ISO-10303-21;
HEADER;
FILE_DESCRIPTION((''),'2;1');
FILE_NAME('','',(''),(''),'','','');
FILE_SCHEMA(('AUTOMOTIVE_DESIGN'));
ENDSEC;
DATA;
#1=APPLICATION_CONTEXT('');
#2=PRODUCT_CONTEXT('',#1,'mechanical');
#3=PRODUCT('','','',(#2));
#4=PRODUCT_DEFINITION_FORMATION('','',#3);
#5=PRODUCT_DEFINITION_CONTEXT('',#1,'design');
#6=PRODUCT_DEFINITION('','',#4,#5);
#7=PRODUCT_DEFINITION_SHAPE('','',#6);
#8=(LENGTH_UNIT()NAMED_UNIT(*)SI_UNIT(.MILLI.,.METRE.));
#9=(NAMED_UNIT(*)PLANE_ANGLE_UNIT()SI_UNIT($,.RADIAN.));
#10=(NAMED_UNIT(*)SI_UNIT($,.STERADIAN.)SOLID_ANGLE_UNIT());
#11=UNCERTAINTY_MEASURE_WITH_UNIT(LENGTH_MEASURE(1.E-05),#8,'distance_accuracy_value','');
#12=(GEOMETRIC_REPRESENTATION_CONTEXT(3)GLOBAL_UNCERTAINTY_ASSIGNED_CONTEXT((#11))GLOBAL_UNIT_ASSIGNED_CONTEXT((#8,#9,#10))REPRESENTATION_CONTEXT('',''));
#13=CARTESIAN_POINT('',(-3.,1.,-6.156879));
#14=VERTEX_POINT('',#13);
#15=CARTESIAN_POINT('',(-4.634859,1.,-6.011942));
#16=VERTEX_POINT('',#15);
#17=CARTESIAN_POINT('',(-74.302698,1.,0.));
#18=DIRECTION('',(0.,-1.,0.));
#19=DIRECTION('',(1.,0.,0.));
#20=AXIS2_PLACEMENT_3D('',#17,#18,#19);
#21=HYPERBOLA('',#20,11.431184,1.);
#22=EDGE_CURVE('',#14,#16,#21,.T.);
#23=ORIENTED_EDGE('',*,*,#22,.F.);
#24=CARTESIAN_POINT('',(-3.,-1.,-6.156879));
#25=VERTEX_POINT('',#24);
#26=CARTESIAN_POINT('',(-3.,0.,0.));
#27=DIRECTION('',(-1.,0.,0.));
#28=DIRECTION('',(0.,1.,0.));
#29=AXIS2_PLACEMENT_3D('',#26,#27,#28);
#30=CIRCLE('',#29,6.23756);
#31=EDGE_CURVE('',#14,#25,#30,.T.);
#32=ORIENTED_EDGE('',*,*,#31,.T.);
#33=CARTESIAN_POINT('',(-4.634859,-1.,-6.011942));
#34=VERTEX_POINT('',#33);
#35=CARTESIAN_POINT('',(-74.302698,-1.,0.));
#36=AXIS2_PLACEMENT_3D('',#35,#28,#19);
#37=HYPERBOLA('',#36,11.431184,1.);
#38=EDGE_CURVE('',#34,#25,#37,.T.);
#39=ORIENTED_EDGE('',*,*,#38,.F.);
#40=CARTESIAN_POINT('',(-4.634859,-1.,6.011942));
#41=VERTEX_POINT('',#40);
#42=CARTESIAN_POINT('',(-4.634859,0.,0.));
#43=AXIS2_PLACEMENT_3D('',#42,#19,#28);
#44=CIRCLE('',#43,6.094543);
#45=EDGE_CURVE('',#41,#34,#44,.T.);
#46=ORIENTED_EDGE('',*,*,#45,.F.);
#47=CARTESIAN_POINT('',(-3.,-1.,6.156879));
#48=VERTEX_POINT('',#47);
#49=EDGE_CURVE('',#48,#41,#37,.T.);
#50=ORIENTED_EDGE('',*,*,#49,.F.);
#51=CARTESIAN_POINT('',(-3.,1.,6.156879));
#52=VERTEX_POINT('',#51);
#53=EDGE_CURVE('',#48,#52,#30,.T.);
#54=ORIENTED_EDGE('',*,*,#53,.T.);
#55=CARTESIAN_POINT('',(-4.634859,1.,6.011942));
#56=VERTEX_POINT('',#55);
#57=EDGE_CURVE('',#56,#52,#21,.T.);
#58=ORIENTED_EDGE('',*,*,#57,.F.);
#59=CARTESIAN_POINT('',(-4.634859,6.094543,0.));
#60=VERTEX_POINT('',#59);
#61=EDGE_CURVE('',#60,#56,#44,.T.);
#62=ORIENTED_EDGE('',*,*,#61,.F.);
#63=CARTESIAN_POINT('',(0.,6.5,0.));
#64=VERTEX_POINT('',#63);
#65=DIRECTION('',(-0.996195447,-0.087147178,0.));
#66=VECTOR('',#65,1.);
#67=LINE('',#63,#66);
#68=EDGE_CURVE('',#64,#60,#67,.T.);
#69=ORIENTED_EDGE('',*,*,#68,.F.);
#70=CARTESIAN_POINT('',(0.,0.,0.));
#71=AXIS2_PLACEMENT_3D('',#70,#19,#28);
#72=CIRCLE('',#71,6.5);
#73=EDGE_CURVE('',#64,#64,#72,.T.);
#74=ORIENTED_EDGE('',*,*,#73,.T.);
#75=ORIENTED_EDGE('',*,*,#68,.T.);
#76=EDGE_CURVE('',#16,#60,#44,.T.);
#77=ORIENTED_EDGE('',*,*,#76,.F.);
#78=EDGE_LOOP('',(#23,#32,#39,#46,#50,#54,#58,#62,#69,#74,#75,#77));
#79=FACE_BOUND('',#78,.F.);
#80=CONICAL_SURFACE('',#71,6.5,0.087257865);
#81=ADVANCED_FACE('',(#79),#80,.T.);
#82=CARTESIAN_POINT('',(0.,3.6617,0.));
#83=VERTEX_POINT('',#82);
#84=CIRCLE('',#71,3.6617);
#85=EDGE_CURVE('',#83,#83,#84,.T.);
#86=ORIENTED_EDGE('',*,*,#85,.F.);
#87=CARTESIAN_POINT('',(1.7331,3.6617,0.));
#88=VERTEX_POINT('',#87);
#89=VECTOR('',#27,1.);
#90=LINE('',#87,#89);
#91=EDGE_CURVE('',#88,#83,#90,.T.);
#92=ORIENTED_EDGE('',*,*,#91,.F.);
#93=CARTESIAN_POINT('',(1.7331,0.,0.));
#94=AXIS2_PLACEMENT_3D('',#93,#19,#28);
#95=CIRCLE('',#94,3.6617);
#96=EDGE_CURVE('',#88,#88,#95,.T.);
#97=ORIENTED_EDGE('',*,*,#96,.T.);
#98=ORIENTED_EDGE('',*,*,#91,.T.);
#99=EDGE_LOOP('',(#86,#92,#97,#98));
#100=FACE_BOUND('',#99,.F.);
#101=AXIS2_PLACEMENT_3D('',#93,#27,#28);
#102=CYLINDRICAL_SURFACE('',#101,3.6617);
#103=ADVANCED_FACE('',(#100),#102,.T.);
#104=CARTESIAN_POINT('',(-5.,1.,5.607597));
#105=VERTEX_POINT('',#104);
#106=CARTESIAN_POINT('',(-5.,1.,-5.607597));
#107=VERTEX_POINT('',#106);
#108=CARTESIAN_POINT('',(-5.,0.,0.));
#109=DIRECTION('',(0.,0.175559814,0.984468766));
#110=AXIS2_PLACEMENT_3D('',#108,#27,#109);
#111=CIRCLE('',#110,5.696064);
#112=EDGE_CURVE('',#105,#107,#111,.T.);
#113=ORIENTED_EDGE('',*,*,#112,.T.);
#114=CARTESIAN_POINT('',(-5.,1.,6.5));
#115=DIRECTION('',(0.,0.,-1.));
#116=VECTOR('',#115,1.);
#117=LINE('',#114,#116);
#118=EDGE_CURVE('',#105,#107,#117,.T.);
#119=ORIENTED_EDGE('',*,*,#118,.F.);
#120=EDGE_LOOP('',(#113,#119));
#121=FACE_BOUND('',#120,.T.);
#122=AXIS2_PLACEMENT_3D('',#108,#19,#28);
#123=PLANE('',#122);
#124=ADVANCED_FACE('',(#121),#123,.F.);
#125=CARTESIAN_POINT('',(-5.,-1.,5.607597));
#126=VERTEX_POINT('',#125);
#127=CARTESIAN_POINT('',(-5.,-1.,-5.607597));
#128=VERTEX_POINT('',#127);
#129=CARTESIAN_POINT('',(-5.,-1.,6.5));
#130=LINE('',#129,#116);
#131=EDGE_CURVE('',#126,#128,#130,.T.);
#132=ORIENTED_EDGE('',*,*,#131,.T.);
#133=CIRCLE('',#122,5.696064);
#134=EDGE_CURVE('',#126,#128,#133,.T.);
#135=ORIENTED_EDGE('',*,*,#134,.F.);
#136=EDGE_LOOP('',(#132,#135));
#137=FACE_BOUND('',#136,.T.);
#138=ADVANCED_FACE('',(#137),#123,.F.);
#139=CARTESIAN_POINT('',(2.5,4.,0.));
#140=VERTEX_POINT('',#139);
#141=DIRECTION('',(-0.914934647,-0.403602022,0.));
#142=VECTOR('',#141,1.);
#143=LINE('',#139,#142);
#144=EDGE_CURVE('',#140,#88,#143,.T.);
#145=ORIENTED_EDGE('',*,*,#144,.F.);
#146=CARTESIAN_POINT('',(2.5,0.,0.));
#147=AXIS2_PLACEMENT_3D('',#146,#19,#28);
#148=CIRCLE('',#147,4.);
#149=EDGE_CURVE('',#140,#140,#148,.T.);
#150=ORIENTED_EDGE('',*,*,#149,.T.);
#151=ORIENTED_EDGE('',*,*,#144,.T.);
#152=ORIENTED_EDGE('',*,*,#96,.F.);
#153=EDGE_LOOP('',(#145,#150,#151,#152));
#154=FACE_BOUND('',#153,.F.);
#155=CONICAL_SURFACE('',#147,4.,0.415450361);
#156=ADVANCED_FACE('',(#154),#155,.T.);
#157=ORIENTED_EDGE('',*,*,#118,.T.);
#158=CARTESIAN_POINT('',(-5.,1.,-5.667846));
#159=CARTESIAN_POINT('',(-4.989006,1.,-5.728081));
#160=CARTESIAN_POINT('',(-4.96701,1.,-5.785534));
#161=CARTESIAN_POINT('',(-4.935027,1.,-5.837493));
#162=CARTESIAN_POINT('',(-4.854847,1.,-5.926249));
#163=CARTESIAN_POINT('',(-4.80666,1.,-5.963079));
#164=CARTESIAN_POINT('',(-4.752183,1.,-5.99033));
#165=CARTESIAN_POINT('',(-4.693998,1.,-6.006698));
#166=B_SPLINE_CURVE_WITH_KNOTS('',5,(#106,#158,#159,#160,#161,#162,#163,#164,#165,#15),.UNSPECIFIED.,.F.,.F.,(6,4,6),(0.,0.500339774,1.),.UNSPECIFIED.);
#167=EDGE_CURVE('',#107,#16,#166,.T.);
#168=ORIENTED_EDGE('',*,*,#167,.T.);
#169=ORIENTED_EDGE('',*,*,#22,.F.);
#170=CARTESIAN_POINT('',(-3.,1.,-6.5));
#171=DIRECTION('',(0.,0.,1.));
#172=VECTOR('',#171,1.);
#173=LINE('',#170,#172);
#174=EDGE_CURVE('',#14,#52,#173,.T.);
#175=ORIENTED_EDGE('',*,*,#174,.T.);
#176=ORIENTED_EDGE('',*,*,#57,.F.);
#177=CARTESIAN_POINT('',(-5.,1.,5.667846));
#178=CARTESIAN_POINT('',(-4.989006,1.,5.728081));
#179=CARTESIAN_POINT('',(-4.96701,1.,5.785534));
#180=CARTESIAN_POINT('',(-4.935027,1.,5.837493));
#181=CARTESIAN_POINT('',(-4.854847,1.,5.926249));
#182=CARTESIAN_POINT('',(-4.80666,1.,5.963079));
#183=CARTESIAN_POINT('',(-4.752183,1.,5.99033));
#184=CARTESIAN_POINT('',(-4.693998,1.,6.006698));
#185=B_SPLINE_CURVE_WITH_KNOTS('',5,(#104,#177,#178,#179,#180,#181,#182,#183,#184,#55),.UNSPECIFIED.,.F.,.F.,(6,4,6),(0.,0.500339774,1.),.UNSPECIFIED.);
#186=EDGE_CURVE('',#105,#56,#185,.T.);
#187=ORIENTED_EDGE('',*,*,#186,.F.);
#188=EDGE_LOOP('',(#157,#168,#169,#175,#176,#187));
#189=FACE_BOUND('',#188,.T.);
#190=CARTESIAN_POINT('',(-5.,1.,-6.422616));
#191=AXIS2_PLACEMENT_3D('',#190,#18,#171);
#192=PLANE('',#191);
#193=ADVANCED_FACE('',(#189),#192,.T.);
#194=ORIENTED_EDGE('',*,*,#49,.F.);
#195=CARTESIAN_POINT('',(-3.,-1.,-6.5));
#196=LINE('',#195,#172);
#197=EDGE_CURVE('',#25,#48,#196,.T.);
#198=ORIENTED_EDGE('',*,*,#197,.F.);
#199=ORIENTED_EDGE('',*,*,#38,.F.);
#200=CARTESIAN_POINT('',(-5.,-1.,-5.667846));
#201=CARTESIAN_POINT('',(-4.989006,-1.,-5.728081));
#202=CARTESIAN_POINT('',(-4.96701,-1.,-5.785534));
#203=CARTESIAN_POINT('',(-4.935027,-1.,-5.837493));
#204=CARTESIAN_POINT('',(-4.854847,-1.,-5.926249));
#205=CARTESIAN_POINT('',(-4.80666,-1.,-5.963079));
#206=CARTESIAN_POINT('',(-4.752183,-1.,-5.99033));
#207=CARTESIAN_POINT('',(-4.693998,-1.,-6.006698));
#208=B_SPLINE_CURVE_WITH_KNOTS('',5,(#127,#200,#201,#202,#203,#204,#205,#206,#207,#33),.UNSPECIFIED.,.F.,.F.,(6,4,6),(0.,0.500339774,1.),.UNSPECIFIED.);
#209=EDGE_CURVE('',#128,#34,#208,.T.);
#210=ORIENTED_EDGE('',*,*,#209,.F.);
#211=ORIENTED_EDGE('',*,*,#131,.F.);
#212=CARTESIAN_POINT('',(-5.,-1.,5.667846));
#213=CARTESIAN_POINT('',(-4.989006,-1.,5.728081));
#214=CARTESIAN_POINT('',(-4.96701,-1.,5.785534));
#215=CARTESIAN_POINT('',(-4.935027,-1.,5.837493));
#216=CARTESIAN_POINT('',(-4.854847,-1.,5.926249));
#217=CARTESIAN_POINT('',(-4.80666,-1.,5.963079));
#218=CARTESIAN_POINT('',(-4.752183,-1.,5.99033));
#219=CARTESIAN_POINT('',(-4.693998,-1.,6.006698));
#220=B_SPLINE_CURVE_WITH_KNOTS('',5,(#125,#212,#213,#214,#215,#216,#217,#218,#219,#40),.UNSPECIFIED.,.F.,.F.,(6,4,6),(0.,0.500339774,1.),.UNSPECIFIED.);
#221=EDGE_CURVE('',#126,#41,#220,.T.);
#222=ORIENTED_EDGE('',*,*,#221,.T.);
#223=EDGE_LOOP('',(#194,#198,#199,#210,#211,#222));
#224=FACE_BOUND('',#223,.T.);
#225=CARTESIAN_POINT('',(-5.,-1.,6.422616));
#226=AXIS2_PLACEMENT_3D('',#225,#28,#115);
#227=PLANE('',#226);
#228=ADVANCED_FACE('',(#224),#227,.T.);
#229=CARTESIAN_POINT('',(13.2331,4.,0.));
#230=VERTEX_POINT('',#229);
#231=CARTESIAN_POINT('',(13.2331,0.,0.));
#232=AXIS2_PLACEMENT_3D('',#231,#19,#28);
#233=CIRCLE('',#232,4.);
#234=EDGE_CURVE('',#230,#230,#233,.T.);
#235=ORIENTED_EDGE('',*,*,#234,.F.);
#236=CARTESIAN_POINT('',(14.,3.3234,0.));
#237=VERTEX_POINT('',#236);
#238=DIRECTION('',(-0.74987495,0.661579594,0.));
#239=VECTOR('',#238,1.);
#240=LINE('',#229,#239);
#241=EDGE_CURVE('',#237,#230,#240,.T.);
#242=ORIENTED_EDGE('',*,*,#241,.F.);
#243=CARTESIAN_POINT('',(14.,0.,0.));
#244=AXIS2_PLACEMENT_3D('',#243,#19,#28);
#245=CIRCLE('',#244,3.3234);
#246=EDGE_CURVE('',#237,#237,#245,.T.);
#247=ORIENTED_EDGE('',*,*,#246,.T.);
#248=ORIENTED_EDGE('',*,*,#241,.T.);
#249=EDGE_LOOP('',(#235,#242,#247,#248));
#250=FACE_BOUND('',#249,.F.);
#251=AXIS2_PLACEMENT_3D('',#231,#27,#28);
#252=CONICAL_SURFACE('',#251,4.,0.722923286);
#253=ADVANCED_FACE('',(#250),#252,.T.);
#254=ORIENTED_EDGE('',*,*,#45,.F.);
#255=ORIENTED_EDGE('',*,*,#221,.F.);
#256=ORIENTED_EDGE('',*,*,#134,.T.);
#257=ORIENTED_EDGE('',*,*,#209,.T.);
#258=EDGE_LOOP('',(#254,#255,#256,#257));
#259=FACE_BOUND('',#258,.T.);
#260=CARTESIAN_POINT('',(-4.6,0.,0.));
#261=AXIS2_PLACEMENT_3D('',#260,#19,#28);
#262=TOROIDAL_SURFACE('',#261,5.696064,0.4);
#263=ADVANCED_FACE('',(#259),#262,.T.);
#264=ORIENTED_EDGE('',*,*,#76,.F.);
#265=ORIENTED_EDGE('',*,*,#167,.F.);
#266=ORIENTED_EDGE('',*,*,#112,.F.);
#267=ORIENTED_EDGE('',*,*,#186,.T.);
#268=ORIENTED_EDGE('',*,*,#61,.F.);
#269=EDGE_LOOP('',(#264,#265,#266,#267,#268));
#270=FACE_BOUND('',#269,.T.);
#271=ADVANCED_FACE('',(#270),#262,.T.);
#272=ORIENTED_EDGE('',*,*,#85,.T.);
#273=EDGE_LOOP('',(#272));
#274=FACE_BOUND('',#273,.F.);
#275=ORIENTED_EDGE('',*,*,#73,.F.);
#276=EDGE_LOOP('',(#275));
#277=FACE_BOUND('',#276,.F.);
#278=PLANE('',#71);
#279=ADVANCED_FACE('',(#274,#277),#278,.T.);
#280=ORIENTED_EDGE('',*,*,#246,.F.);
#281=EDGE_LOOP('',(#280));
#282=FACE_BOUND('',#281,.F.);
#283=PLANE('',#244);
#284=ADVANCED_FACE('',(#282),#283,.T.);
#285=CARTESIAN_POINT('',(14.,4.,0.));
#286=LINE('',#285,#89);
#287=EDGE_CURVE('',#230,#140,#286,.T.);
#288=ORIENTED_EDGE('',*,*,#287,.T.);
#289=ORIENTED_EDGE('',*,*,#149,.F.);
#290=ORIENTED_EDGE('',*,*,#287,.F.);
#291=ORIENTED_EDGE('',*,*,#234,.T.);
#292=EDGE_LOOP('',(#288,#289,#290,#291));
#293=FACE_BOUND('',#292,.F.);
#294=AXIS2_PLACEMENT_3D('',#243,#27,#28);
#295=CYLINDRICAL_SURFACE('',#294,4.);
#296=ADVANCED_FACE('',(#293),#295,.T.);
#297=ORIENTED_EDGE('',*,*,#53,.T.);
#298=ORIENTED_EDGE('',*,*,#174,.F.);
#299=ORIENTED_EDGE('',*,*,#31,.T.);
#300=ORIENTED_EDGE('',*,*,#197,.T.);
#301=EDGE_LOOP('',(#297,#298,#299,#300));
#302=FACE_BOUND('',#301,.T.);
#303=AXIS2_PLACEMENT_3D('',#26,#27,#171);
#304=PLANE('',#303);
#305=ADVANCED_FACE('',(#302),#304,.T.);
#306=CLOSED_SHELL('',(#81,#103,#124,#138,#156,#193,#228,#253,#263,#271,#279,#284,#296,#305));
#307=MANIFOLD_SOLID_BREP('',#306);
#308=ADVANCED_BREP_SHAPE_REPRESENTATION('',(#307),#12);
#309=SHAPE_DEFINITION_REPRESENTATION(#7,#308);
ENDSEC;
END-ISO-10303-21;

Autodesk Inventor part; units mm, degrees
ref_plane "YZ Plane" through (0, 0, 0) normal (1, 0, 0) x (0, 1, 0)
ref_plane "XZ Plane" through (0, 0, 0) normal (0, 1, 0) x (-1, 0, 0)
sketch "Sketch1" plane through (0, 0, 0) normal (0, 0, 1) x (1, 0, 0)
  line L0 (-5, 0) -> (14, 0)
  line L1 (14, 0) -> (14, 4)
  line L2 (14, 4) -> (2.5, 4)
  line L3 (2.5, 4) -> (1.7331, 3.6617)
  line L4 (1.7331, 3.6617) -> (0, 3.6617)
  line L5 (0, 3.6617) -> (0, 6.5)
  line L6 (-8.8, 0) -> (17.8, 0) projected
  line L7 (0, -1.3) -> (0, 7.8) projected
  line L8 (-5, 0) -> (-5, 6.0626)
  line L9 (0, 6.5) -> (-5, 6.0626)
  line L10 (2.5, 4) -> (0, 4) construction
  dimension "d0" = 14
  dimension "d1" = 11.5
  dimension "d2" = 0.7669
  dimension "d3" = 5
  dimension "d4" = 8
  dimension "d5" = 7.3234
  dimension "d9" = 13
  dimension "d10" = 5
revolve "Body" add sketch "Sketch1" angle 360 about axis through (-5, 0, 0) along (1, 0, 0)
sketch "Sketch2" plane through (-5, 0, 0) normal (-1, 0, 0) x (0, 0, 1)
  circle A0 centre (0, 0) radius 6.5 projected
  line L0 (0, 0) -> (0, 6.0626) projected
  line L1 (-6.5, 1) -> (6.5, 1)
  line L2 (6.5, 1) -> (6.5, -1)
  line L3 (6.5, -1) -> (-6.5, -1)
  line L4 (-6.5, -1) -> (-6.5, 1)
  line L5 (-6.5, 0) -> (6.5, 0) construction
  line L6 (0, 1) -> (0, -1) construction
  dimension "d11" = 2
  dimension "d12" = 13
fillet "Fillet1" radius 0.4 1 edges at (-5, -6.0626, 0)
extrude "Slot" cut sketch "Sketch2" against normal blind 2 contours A0 L3 L1 | L2 L3 A0 | A0 L1 L2 | A0 L4 L1 | L3 L4 A0
thread "Thread" size "M8x1.25" class "6g" standard "ISO Metric profile" length 11.5
chamfer "Chamfer1" distance 0.6766 distance2 0.7669 1 edges at (14, -4, 0) measured on face at (14, -1.1806, 0.6196)
ref_plane "Work Plane1" through (30.1625, 0, 0) normal (0, 0, -1) x (1, 0, 0)
equation "\"d11\" = SBR"
equation "\"d12\" = KOD"
equation "\"d14\" = RR"
equation "\"d19\" = STI"
equation "\"d15\" = GEL"
equation "\"d17\" = -0.5 * SPD + 0.5 * GD"
equation "\"d0\" = NLG"
equation "\"d1\" = GEL"
equation "\"d3\" = KOH"
equation "\"d4\" = GD"
equation "\"d5\" = BDM"
equation "\"d9\" = KOD"
equation "\"d10\" = KEWI"
equation "\"GD\" = 8"
equation "\"NLG\" = 14"
equation "\"GEL\" = 11.5"
equation "\"KOD\" = 13"
equation "\"KOH\" = 5"
equation "\"GAL\" = 0.61345 * PTC"
equation "\"SPD\" = 6.64684"
equation "\"BDM\" = 7.32342"
equation "\"GUL\" = 0.61345 * PTC"
equation "\"RR\" = 0.4"
equation "\"SBR\" = 2"
equation "\"STI\" = 2"
equation "\"KEWI\" = 5deg"
equation "\"PTC\" = 1.25"
equation "\"THREADDIA\" = 8"
equation "\"TOA\" = 30deg"
equation "\"NND\" = 8"
equation "\"GD1\" = THREADDIA - 1.2269 * PTC"
properties part number "DIN 84 - M8 x 14" material "Steel, Mild"
